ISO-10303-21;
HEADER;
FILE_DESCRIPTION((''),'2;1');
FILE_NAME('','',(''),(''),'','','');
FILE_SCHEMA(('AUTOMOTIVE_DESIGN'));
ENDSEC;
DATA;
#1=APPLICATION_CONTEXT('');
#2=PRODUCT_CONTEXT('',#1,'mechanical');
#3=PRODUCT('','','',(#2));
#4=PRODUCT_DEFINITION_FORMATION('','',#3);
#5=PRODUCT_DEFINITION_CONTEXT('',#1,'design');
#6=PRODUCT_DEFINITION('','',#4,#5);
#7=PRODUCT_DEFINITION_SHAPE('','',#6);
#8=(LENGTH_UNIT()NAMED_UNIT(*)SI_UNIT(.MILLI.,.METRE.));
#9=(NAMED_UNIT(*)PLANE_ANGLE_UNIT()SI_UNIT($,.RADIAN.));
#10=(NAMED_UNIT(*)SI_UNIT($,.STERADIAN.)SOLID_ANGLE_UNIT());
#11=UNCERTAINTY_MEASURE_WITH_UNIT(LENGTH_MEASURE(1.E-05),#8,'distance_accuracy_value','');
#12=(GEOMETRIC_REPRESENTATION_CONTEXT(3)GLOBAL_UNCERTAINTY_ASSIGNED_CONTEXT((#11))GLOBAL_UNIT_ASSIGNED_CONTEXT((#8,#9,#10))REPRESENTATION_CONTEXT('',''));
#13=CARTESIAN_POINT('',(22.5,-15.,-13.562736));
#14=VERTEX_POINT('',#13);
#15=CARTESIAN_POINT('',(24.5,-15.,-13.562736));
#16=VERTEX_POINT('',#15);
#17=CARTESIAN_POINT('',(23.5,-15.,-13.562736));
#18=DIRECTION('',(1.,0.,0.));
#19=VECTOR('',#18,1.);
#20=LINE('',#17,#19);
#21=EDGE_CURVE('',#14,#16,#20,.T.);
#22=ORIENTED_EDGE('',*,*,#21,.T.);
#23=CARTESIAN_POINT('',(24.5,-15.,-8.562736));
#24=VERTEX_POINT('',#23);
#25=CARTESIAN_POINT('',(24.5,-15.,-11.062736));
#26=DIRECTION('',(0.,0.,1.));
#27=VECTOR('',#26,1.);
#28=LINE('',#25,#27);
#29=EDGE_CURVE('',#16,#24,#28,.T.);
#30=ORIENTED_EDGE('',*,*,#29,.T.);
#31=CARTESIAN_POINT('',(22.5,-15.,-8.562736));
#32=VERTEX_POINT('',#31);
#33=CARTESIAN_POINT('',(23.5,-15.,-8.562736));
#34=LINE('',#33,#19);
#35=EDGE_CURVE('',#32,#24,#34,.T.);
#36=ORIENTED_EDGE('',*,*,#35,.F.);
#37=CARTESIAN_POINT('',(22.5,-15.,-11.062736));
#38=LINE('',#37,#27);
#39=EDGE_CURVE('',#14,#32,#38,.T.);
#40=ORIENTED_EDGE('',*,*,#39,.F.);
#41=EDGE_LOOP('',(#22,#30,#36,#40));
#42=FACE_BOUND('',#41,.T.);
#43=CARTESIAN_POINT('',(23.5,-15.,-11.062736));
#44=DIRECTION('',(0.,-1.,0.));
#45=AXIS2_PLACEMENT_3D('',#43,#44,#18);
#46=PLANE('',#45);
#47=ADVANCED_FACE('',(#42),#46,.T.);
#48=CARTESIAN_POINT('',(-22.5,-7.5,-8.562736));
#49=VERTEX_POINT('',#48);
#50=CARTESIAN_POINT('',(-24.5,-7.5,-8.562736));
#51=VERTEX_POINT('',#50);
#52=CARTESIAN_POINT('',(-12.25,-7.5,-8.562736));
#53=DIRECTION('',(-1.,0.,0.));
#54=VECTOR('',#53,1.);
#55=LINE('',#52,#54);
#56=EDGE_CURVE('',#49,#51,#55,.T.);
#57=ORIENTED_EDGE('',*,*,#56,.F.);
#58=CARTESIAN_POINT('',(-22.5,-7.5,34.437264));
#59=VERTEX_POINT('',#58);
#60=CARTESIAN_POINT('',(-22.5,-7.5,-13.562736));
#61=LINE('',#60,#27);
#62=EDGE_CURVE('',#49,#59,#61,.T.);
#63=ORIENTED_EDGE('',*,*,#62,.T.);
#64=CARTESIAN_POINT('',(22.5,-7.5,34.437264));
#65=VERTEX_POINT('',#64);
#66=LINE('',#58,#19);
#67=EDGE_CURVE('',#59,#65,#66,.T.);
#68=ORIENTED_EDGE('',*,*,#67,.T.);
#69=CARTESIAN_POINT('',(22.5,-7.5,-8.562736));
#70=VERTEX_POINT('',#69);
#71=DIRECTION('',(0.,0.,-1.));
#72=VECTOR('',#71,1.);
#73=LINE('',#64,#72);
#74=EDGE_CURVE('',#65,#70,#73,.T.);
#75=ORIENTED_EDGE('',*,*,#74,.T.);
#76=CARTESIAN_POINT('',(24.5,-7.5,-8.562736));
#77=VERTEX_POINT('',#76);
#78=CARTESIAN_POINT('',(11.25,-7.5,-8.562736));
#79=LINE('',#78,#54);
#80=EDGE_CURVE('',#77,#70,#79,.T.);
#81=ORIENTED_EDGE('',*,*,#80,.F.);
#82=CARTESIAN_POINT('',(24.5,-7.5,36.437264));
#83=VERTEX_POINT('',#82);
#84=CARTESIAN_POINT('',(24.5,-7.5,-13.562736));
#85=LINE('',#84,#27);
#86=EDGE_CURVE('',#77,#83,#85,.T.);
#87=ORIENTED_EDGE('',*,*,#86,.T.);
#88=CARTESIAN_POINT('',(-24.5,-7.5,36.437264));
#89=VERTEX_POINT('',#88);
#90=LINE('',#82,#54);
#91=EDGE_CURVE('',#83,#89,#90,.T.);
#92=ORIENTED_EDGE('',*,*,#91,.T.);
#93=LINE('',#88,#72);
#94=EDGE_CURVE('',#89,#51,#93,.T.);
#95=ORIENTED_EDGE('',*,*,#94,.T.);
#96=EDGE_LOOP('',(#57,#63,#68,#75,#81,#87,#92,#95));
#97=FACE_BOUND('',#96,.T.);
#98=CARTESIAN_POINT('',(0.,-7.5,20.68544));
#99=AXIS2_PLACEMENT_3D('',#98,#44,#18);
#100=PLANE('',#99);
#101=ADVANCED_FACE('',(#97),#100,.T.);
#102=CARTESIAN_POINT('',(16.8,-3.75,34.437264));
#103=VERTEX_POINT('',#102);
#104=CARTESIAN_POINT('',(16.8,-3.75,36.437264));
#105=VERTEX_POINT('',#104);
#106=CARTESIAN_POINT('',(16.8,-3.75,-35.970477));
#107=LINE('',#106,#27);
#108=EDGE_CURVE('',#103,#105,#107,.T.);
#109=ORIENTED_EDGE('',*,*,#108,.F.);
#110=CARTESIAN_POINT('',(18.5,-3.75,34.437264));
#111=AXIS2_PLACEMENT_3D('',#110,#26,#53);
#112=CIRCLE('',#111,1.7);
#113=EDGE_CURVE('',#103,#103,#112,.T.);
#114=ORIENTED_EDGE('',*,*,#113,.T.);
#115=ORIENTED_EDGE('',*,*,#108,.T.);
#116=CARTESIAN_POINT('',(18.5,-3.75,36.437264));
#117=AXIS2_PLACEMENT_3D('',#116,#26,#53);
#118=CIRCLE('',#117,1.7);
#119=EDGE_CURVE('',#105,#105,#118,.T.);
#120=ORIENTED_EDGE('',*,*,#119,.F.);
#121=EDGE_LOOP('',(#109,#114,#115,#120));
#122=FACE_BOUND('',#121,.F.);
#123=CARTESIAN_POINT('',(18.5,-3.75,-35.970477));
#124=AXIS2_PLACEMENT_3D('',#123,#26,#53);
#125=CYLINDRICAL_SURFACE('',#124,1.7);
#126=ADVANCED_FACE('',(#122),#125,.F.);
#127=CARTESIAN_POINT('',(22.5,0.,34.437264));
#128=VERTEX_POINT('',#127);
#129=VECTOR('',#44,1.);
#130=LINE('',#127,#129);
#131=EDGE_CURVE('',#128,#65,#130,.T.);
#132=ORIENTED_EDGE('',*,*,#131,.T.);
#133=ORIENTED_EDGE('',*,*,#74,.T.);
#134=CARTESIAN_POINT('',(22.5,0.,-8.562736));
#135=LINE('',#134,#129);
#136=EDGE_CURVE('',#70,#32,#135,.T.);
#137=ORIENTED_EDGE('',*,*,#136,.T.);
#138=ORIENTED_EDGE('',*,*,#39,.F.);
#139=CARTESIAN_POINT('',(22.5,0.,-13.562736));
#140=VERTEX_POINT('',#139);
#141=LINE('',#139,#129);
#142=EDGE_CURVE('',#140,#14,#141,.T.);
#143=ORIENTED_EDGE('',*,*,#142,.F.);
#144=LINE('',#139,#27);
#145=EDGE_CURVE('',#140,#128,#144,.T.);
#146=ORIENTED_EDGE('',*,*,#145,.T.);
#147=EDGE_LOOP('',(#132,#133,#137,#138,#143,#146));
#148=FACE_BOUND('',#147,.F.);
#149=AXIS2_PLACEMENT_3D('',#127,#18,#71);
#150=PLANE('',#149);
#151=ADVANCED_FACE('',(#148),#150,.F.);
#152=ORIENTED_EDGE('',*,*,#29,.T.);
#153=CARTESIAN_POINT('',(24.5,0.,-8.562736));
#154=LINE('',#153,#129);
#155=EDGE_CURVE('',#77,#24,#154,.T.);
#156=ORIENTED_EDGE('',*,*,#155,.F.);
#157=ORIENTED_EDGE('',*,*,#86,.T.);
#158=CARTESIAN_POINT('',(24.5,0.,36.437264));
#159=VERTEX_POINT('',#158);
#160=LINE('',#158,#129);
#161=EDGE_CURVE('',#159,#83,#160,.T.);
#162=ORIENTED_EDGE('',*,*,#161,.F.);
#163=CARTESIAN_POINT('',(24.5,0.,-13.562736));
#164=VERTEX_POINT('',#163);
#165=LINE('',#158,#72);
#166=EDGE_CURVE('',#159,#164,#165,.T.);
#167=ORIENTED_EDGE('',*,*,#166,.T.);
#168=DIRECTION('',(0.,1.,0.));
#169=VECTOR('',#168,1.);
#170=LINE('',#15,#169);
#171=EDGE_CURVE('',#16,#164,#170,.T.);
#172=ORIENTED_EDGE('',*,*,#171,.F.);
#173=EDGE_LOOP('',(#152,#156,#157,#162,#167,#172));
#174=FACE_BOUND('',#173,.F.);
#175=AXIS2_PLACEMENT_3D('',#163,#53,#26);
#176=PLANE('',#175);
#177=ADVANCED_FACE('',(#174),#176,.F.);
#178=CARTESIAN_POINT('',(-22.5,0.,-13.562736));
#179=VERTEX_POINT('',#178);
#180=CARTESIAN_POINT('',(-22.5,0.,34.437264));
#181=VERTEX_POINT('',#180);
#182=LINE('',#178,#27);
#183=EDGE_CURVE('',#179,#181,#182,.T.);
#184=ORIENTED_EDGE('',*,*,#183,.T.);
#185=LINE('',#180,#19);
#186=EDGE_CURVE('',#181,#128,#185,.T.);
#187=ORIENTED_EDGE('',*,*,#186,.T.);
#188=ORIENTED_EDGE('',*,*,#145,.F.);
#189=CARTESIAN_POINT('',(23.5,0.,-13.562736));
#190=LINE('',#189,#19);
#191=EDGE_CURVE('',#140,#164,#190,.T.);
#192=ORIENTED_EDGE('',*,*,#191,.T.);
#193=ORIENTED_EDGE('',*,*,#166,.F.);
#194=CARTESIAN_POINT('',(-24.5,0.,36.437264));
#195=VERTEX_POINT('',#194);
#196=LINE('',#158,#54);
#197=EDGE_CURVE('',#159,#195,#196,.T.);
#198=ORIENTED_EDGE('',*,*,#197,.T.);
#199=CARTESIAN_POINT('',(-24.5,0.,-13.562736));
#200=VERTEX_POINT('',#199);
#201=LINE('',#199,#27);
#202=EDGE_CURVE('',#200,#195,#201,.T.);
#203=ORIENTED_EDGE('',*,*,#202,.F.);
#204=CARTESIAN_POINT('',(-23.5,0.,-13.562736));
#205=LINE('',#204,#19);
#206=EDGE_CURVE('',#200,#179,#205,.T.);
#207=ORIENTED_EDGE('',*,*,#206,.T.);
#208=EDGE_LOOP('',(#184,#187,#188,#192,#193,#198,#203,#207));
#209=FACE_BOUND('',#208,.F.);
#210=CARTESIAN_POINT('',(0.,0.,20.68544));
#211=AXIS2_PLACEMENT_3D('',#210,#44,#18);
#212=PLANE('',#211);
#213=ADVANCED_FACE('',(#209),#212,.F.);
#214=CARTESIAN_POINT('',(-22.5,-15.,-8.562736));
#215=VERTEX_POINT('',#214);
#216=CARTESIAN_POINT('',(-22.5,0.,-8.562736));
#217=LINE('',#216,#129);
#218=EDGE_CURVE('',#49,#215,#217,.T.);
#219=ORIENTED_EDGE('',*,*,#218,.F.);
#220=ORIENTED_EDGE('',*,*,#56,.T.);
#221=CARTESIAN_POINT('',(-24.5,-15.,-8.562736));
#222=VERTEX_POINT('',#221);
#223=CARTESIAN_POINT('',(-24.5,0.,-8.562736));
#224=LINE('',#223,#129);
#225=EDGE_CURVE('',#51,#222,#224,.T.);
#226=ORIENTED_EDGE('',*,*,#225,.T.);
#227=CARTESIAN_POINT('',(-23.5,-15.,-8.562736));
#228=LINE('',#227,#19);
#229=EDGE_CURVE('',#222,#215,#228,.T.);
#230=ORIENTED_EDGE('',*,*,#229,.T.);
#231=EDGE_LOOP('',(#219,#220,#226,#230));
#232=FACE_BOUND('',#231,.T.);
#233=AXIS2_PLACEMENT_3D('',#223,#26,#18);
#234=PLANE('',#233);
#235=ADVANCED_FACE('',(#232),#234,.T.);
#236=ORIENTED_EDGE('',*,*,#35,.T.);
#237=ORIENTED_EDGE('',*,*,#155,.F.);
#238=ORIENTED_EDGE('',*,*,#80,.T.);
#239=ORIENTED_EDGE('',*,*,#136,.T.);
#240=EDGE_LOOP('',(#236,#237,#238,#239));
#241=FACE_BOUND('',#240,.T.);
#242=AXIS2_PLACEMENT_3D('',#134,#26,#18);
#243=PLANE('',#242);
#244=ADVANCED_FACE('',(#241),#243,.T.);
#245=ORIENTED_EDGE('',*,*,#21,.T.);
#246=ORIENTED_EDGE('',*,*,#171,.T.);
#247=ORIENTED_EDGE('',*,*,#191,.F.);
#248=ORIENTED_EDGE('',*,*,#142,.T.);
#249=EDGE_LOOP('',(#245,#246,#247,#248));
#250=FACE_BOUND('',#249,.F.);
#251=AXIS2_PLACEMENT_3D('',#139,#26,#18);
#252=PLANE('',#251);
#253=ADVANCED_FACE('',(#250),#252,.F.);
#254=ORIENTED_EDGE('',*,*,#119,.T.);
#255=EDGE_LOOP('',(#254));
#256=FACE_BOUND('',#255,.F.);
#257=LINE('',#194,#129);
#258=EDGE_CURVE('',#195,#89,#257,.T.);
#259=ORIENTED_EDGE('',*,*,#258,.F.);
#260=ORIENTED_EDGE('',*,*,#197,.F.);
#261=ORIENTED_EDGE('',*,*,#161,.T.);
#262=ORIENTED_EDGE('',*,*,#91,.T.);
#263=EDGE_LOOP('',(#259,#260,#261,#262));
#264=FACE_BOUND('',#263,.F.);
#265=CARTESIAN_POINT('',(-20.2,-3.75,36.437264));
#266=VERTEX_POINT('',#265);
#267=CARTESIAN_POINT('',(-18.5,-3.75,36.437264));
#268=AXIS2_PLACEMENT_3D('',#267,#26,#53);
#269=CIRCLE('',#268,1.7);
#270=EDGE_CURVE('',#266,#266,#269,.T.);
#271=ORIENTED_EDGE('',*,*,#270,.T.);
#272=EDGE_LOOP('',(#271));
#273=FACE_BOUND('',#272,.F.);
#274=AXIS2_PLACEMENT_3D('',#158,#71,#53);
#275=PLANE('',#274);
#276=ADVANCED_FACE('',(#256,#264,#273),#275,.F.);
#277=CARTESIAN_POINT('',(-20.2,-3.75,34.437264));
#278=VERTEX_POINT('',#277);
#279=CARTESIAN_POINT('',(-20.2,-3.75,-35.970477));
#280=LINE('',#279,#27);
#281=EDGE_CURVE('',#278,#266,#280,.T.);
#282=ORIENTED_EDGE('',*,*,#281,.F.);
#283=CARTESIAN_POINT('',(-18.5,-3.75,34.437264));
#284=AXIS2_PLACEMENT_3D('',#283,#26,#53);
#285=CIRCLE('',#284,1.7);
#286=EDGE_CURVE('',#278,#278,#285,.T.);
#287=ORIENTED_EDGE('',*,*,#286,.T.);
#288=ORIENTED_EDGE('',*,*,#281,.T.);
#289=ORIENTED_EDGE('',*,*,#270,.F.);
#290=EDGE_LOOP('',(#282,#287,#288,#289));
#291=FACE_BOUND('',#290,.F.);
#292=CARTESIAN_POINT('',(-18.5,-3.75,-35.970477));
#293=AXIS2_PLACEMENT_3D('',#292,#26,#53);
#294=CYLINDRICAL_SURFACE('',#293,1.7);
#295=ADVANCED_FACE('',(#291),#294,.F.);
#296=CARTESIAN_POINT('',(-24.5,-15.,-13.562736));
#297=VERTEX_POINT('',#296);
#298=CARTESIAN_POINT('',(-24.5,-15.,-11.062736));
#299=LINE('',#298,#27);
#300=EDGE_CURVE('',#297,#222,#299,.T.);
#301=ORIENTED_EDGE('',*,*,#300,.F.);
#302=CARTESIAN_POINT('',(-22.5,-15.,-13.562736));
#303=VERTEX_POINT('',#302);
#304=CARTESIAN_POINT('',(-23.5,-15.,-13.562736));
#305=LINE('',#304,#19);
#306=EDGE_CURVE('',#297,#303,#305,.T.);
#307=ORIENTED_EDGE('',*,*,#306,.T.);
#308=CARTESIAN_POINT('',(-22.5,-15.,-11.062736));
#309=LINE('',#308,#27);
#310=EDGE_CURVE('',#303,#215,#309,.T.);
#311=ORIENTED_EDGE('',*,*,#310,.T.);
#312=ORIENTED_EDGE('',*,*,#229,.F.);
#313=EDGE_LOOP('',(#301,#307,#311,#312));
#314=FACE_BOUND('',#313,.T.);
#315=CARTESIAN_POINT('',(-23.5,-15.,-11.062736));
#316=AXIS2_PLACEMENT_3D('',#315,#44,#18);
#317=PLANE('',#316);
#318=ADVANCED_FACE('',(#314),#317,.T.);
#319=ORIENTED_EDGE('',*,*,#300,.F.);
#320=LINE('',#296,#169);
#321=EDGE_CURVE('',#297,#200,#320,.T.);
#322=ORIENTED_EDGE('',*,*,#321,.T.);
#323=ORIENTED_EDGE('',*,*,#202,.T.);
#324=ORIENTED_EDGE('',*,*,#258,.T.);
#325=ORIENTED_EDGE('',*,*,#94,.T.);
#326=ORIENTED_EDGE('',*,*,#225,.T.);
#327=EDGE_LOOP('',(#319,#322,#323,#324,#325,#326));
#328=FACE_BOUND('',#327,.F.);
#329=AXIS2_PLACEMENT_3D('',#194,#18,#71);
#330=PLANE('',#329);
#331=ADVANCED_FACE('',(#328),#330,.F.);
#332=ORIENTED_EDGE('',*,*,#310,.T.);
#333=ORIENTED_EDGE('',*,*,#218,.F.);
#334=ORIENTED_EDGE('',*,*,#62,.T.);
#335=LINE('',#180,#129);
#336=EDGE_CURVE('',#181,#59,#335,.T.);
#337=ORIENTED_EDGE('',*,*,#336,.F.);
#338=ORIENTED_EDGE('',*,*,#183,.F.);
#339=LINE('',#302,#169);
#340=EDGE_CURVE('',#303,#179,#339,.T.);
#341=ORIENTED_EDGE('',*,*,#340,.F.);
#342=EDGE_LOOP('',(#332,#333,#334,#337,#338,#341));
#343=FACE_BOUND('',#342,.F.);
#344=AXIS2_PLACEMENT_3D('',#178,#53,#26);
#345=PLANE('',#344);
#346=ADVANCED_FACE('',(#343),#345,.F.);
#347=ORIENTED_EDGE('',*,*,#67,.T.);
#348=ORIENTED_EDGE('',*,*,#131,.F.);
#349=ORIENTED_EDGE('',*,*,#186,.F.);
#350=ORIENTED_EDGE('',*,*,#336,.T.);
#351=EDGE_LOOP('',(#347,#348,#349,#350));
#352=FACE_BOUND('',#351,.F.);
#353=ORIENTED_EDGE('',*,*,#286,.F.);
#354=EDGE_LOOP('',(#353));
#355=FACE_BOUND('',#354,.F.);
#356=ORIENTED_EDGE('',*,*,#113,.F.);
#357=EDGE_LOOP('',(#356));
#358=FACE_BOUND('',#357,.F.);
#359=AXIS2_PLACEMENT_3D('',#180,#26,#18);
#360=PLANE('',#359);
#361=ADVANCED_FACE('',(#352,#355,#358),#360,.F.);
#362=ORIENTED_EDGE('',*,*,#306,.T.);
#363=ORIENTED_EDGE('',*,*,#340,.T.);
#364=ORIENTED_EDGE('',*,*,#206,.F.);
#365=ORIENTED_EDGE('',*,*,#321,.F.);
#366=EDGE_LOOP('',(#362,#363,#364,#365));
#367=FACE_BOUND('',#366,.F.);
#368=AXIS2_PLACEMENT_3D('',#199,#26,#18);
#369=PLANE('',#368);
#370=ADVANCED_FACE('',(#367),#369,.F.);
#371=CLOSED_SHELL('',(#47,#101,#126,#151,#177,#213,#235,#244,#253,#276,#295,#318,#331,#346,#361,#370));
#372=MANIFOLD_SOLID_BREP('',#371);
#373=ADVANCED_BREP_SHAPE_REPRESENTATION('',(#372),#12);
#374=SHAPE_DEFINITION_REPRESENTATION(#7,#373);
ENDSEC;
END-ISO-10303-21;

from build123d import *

# Parameters (mm, degrees)
F0_W     = 2
F0_H     = 5
F1_DEPTH = 7.5
F3_D     = 3.4
F4_D     = 3.4
F5_DEPTH = 15


with BuildPart() as f1:
    # F0 (on Front) → F1 (new body)
    with BuildSketch(Plane.XZ):
        Polygon((-22.5, -8.5627355796), (-22.5, 34.4372644204), (22.5, 34.4372644204), (22.5, -8.5627355796), (24.5, -8.5627355796), (24.5, 36.4372644204), (-24.5, 36.4372644204), (-24.5, -8.5627355796), align=None)
        with Locations((-23.5, -11.0627355796)):
            Rectangle(F0_W, F0_H)
        with Locations((23.5, -11.0627355796)):
            Rectangle(F0_W, F0_H)
    extrude(amount=F1_DEPTH)

    # F3 (through all)
    with Locations(Plane(origin=(0, 0, 34.4372644204), x_dir=(1, 0, 0), z_dir=(0, 0, -1))):
        with Locations((-18.5, 3.75)):
            Hole(F3_D / 2)

    # F4 (through all)
    with Locations(Plane(origin=(0, 0, 34.4372644204), x_dir=(1, 0, 0), z_dir=(0, 0, -1))):
        with Locations((18.5, 3.75)):
            Hole(F4_D / 2)

    # F0 (on Front) → F5 (join)
    with BuildSketch(Plane.XZ):
        with Locations((-23.5, -11.0627355796)):
            Rectangle(F0_W, F0_H)
        with Locations((23.5, -11.0627355796)):
            Rectangle(F0_W, F0_H)
    extrude(amount=F5_DEPTH)


solid = f1.part
